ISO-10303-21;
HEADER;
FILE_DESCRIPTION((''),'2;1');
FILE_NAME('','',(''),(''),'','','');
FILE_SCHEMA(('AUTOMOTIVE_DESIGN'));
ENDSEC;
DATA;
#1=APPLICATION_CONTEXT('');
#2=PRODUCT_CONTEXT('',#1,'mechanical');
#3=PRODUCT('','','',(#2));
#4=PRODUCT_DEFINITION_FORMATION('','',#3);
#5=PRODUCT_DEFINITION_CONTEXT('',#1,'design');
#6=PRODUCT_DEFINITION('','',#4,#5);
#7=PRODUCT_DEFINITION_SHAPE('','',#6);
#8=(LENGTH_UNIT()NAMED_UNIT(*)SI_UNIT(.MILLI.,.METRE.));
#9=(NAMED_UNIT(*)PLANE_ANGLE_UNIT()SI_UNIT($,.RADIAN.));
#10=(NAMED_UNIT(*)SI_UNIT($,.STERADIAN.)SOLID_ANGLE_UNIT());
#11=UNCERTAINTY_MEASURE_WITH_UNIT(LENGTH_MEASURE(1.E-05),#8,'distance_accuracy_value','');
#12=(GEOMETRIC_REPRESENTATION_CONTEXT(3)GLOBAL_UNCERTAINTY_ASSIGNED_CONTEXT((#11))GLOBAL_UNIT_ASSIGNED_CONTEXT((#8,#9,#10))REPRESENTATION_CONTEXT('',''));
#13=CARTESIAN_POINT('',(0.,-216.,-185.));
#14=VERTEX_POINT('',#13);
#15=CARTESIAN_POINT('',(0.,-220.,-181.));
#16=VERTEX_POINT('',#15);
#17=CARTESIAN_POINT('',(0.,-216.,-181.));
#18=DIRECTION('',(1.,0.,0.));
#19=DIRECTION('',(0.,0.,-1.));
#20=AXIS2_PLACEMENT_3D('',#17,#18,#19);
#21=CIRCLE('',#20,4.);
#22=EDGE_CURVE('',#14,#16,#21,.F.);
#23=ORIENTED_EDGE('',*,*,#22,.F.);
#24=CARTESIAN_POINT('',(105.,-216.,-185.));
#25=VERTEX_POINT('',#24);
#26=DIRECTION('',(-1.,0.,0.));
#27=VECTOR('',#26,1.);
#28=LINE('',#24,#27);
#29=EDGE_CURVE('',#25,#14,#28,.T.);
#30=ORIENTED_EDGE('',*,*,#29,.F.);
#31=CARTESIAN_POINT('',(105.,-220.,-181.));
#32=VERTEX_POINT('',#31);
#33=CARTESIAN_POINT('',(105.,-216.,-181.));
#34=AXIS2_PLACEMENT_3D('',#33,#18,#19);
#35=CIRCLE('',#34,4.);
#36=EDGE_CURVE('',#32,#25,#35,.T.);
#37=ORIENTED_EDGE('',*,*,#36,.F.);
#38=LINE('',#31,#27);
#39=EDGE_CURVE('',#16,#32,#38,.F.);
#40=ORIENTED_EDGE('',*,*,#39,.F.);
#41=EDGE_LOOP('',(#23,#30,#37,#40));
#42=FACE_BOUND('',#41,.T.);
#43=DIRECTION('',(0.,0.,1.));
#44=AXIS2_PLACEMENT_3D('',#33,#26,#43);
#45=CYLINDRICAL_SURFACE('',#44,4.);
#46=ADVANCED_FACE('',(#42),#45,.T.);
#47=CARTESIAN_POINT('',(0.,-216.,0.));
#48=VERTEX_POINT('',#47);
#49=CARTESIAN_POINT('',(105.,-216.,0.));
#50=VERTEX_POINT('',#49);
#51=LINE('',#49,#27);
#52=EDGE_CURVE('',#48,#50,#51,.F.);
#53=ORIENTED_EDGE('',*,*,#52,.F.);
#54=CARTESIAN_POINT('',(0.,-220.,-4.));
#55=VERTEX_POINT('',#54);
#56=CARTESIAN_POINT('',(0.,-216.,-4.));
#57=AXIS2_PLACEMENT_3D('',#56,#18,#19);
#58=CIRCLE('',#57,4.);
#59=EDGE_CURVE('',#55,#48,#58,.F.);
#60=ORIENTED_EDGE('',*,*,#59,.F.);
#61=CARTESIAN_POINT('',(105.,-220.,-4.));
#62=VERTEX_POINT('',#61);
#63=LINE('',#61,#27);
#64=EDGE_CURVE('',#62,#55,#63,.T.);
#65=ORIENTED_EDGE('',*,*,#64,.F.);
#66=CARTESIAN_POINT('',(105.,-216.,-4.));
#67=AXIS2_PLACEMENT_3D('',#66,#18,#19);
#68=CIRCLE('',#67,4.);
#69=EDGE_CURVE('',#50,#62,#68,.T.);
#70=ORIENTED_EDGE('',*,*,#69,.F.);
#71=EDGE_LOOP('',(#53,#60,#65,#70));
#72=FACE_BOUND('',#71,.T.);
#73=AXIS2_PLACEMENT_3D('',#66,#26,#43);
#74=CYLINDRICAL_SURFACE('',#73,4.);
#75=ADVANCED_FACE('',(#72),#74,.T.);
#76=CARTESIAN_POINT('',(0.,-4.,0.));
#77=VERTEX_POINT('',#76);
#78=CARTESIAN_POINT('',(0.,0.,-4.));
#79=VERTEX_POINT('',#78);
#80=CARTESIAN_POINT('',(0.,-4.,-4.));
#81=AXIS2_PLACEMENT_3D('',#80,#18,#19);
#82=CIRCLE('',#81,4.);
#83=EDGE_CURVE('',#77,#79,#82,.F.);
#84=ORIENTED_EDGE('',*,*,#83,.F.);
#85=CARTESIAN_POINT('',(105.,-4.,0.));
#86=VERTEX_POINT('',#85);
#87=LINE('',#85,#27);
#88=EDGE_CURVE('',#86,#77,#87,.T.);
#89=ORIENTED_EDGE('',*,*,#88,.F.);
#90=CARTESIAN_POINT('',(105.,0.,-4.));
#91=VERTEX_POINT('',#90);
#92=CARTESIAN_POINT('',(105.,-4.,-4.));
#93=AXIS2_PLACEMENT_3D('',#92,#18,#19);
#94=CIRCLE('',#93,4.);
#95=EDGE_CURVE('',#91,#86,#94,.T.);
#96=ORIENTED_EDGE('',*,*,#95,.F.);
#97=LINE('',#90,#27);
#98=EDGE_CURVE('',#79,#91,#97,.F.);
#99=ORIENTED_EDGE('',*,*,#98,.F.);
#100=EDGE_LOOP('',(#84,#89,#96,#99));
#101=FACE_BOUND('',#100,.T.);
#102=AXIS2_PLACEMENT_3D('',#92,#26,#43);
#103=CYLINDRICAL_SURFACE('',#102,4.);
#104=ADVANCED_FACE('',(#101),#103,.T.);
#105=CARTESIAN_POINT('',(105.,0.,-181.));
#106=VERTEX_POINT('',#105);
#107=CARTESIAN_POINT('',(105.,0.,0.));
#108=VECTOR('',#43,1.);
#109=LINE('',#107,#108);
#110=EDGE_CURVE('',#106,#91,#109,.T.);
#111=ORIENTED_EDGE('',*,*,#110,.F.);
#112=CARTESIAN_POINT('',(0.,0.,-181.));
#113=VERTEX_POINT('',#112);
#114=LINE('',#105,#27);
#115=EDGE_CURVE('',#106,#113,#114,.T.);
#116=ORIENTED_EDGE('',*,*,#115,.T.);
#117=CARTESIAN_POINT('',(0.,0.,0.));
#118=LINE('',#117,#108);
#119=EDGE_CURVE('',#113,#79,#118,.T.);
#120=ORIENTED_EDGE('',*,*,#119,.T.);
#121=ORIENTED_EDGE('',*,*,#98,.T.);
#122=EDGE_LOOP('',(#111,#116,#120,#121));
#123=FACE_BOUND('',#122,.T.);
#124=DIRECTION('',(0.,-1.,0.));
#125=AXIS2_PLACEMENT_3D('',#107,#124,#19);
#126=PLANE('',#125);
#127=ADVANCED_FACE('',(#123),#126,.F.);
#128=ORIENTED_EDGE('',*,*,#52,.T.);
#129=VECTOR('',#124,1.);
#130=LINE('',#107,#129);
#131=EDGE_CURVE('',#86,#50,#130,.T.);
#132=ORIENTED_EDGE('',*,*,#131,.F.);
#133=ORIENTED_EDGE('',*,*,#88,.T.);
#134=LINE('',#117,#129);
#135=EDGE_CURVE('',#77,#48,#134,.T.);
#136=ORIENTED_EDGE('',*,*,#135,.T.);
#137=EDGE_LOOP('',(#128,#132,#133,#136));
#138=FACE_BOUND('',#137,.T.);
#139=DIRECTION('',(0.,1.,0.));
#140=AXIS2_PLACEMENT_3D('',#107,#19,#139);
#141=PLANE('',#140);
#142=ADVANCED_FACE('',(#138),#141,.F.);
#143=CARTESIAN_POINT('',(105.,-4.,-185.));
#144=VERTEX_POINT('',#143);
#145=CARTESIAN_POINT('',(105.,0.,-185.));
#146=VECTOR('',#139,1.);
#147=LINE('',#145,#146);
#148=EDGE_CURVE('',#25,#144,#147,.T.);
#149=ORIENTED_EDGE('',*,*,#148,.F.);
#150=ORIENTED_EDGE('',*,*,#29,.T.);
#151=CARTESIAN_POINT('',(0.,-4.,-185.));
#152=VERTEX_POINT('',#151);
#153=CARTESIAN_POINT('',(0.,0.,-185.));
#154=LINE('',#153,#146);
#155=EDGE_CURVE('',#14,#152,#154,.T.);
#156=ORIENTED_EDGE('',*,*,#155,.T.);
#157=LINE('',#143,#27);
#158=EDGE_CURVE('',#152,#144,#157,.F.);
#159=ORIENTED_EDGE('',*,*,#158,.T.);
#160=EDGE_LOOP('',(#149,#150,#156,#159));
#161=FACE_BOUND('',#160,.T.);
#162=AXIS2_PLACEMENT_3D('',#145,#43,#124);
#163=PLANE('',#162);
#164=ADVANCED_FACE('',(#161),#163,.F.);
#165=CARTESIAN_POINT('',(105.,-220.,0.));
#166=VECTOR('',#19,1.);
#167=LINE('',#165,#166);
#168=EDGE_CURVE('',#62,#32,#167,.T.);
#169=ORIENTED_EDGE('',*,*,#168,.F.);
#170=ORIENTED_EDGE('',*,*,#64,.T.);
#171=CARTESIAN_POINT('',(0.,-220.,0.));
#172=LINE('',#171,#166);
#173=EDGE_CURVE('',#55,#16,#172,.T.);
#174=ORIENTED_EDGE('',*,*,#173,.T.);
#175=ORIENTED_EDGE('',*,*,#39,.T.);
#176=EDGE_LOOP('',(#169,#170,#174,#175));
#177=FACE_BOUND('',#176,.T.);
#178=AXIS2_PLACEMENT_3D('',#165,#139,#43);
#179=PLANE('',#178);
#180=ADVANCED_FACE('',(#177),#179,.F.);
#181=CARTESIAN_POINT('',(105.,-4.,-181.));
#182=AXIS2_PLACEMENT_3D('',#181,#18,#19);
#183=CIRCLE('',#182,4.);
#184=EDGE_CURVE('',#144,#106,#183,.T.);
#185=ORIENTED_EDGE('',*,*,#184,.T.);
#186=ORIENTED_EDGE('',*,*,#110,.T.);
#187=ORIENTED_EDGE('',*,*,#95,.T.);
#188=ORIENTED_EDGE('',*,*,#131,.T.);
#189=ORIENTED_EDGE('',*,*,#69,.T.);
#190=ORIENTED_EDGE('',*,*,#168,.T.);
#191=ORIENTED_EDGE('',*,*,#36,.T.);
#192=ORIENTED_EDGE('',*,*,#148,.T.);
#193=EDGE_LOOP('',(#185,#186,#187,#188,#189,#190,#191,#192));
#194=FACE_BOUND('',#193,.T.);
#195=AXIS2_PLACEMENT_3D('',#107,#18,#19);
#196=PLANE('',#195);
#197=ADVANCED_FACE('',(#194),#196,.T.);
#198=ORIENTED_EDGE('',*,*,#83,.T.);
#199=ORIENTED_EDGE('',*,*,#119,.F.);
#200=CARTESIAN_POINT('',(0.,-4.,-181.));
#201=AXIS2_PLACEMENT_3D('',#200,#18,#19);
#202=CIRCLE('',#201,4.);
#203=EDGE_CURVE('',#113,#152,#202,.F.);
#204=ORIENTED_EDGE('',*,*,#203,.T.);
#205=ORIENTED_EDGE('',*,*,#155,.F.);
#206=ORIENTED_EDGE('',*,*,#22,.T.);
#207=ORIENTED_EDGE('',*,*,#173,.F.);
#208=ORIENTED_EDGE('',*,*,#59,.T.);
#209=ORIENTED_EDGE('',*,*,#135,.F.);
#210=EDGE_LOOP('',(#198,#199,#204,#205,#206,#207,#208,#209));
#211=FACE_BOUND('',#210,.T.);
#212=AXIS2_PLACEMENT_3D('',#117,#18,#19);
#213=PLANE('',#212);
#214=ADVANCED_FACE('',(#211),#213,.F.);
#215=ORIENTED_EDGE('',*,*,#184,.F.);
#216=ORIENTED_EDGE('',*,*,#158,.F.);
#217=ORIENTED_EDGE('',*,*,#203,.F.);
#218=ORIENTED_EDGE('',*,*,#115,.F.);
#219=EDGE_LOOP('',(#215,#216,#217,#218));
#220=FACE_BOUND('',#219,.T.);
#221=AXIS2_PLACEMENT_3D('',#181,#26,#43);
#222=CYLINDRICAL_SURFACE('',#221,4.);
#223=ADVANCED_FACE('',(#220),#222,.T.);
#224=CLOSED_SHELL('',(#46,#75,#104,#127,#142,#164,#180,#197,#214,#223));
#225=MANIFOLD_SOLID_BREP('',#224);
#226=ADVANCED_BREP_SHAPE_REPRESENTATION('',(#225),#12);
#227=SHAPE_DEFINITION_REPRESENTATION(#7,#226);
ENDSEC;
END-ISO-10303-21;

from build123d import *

# Parameters (mm, degrees)
SKETCH_1_W      = 185
SKETCH_1_H      = 220
EXTRUDE_1_DEPTH = 105
FILLET_1_R      = 4


with BuildPart() as part:
    # 草图1 → 凸台-拉伸1 (new body)
    with BuildSketch(Plane(origin=(0, 0, 0), x_dir=(0, 0, -1), z_dir=(1, 0, 0))):
        with Locations((92.5, -110)):
            Rectangle(SKETCH_1_W, SKETCH_1_H)
    extrude(amount=EXTRUDE_1_DEPTH)

    # 圆角1
    fillet_1_edges = [part.edges().sort_by_distance(p)[0] for p in [
        (52.5, 0, 0),
        (52.5, 0, -185),
        (52.5, -220, -185),
        (52.5, -220, 0),
    ]]
    fillet(fillet_1_edges, radius=FILLET_1_R)


solid = part.part
